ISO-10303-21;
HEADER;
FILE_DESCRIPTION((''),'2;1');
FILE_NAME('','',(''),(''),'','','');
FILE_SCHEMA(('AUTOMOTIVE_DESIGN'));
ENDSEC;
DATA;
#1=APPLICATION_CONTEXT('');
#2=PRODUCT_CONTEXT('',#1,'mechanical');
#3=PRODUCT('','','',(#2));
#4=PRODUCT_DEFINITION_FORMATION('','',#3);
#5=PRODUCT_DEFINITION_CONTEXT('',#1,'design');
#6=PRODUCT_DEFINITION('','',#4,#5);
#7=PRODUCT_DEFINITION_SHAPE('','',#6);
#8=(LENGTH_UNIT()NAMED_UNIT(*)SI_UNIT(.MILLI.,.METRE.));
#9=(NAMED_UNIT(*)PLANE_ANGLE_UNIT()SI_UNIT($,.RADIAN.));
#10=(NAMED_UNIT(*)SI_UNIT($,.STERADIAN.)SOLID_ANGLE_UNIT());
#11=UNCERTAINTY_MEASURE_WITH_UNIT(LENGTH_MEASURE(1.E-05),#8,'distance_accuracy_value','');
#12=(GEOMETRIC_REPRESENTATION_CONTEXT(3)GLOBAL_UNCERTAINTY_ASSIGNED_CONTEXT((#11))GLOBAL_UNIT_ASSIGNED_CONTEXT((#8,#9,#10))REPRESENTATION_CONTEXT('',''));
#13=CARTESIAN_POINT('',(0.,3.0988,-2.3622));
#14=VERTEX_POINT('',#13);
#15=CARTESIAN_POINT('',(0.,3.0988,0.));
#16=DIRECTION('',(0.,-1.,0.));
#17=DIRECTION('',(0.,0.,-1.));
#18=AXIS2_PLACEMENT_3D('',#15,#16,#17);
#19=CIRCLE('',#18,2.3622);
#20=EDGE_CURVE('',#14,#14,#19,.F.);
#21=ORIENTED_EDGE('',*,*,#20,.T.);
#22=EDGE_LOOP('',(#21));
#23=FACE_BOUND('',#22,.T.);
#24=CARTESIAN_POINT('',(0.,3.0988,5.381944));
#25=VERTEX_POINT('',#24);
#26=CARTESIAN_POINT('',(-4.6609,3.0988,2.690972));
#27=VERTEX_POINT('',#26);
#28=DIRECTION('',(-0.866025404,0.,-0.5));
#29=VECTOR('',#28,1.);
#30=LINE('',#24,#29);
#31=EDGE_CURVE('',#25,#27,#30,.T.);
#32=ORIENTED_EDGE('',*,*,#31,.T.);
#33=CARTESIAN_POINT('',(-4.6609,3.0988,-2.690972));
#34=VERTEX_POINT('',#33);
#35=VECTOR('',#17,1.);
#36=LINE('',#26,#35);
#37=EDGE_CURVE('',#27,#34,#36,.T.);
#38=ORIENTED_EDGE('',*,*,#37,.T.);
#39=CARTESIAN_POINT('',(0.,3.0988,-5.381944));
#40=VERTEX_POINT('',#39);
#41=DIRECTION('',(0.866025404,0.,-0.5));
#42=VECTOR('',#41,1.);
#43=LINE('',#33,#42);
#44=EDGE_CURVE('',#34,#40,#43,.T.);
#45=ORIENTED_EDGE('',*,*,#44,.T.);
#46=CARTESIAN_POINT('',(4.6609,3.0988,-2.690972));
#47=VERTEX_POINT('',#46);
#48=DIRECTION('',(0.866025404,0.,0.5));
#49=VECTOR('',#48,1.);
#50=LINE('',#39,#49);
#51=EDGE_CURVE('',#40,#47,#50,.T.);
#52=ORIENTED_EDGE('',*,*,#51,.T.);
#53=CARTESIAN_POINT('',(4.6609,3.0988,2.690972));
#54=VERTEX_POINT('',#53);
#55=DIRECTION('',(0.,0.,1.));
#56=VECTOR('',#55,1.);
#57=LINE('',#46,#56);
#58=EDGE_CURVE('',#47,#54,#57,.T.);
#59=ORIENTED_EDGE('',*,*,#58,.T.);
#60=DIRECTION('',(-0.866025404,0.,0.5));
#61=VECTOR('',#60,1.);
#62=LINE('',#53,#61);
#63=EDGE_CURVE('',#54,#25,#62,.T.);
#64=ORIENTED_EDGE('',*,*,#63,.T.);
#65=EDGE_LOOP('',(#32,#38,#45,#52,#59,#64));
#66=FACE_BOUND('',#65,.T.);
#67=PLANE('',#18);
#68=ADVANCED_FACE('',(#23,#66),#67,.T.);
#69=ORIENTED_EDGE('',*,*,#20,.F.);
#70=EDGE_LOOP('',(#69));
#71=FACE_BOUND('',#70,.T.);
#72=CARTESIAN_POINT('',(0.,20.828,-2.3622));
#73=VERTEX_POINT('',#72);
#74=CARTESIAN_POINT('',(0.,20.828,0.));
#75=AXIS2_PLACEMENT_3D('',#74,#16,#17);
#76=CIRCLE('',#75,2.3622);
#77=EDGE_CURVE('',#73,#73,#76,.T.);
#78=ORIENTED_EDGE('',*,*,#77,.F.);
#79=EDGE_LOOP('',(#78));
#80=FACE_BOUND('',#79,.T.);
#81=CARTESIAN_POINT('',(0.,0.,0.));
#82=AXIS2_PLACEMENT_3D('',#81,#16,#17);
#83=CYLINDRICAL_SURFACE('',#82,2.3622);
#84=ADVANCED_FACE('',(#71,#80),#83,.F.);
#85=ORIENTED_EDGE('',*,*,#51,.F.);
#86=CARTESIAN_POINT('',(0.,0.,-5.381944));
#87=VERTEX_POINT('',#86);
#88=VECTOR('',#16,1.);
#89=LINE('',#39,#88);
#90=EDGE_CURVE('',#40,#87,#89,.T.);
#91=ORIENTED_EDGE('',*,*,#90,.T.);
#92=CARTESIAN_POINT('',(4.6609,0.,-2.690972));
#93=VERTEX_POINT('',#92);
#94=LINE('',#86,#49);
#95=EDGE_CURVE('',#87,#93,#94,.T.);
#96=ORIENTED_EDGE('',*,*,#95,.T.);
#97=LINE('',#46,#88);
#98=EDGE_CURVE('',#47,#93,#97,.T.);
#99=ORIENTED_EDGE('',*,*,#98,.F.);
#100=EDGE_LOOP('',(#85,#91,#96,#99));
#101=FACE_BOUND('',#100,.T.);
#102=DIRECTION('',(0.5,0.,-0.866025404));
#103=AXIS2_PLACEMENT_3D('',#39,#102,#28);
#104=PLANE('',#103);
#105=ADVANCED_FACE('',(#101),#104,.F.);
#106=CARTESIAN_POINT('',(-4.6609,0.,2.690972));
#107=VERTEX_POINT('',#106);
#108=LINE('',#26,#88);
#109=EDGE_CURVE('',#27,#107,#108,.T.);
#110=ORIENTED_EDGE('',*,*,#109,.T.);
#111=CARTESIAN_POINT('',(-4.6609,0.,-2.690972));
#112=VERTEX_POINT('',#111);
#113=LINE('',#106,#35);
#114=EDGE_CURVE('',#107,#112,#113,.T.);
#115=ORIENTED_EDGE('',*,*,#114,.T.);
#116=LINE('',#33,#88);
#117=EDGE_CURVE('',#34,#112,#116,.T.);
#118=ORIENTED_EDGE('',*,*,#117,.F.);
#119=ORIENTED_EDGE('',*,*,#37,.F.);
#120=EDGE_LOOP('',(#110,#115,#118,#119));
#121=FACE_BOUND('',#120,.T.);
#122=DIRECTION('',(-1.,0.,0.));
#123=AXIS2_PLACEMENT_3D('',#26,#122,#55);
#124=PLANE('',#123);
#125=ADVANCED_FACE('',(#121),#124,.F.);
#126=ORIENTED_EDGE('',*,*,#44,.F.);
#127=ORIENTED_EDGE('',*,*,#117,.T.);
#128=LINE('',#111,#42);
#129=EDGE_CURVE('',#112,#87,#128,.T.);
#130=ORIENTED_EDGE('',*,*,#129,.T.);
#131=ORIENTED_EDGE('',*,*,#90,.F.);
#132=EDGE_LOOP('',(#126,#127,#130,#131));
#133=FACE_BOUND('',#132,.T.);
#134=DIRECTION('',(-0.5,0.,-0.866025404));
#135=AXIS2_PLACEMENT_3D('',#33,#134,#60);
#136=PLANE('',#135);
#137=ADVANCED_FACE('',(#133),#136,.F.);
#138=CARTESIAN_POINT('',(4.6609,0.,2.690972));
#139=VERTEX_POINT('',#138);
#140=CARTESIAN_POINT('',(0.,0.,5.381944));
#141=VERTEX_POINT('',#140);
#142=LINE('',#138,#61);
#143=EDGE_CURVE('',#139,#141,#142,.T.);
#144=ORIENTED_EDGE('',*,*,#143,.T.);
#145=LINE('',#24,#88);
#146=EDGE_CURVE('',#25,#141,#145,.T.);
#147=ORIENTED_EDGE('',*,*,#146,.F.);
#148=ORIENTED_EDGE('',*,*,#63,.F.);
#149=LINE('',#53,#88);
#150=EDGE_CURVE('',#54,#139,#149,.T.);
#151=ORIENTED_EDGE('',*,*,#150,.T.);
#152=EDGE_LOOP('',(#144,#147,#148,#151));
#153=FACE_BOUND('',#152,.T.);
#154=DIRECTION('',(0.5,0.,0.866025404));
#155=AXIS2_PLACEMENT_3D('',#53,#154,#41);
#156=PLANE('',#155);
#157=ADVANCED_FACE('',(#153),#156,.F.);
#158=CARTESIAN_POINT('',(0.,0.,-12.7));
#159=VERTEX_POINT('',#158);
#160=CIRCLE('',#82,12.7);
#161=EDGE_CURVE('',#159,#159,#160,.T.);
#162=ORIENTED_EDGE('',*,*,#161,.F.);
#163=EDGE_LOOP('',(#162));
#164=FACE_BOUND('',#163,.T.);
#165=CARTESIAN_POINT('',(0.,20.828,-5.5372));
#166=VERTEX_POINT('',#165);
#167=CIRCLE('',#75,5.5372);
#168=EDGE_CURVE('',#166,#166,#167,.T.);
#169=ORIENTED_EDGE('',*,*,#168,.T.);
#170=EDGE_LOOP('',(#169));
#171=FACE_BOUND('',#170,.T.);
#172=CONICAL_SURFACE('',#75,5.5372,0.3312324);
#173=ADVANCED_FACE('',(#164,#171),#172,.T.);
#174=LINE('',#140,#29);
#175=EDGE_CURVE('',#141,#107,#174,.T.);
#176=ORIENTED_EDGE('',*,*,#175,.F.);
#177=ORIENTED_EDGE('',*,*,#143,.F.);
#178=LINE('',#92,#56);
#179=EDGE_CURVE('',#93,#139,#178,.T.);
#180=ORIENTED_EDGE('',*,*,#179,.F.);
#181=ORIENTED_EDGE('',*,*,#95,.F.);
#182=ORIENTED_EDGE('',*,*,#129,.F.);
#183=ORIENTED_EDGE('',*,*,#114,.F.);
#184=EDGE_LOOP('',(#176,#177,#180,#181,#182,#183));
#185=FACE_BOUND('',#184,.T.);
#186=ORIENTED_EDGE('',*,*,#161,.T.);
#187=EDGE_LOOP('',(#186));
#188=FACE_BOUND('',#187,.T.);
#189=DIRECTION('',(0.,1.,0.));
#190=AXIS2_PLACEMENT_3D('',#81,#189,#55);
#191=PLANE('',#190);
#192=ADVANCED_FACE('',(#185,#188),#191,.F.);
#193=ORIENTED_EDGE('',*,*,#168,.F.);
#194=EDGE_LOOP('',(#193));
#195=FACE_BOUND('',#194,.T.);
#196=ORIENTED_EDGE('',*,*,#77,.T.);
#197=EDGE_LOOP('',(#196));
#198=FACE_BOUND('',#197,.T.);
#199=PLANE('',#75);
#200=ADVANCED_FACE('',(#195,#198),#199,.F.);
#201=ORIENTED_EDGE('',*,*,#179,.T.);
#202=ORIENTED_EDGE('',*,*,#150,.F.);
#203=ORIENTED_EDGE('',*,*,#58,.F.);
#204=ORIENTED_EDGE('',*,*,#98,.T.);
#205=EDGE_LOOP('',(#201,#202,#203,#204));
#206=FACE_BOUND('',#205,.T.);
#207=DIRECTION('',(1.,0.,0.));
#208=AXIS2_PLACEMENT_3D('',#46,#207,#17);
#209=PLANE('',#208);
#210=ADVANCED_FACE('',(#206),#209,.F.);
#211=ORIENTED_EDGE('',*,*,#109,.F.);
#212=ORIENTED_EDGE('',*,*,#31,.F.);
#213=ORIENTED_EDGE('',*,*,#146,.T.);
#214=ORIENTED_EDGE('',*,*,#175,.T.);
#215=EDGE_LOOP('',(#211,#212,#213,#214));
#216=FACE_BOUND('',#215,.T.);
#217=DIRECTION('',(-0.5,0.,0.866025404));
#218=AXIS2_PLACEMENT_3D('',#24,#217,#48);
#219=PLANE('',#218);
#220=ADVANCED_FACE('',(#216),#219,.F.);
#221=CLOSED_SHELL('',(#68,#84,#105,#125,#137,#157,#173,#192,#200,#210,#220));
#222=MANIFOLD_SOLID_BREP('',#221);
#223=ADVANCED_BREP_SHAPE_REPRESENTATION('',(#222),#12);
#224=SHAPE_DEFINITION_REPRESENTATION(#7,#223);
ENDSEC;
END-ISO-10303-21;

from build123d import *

# Parameters (mm, degrees)
CUT_EXTRUDE1_DEPTH = 3.0988


with BuildPart() as part:
    # Sketch1 → Revolve1 (revolve)
    with BuildSketch(Plane.XY):
        Polygon((12.7, 0), (2.3622, 0), (2.3622, 20.828), (5.5372, 20.828), align=None)
    revolve(axis=Axis((0, 0, 0), (0, 1, 0)))

    # Sketch2 → Cut-Extrude1 (cut)
    with BuildSketch(Plane.XZ):
        Polygon((0, 5.381943739), (-4.6609, 2.69097187), (-4.6609, -2.69097187), (0, -5.381943739), (4.6609, -2.69097187), (4.6609, 2.69097187), align=None)
    extrude(amount=-CUT_EXTRUDE1_DEPTH, mode=Mode.SUBTRACT)


solid = part.part
